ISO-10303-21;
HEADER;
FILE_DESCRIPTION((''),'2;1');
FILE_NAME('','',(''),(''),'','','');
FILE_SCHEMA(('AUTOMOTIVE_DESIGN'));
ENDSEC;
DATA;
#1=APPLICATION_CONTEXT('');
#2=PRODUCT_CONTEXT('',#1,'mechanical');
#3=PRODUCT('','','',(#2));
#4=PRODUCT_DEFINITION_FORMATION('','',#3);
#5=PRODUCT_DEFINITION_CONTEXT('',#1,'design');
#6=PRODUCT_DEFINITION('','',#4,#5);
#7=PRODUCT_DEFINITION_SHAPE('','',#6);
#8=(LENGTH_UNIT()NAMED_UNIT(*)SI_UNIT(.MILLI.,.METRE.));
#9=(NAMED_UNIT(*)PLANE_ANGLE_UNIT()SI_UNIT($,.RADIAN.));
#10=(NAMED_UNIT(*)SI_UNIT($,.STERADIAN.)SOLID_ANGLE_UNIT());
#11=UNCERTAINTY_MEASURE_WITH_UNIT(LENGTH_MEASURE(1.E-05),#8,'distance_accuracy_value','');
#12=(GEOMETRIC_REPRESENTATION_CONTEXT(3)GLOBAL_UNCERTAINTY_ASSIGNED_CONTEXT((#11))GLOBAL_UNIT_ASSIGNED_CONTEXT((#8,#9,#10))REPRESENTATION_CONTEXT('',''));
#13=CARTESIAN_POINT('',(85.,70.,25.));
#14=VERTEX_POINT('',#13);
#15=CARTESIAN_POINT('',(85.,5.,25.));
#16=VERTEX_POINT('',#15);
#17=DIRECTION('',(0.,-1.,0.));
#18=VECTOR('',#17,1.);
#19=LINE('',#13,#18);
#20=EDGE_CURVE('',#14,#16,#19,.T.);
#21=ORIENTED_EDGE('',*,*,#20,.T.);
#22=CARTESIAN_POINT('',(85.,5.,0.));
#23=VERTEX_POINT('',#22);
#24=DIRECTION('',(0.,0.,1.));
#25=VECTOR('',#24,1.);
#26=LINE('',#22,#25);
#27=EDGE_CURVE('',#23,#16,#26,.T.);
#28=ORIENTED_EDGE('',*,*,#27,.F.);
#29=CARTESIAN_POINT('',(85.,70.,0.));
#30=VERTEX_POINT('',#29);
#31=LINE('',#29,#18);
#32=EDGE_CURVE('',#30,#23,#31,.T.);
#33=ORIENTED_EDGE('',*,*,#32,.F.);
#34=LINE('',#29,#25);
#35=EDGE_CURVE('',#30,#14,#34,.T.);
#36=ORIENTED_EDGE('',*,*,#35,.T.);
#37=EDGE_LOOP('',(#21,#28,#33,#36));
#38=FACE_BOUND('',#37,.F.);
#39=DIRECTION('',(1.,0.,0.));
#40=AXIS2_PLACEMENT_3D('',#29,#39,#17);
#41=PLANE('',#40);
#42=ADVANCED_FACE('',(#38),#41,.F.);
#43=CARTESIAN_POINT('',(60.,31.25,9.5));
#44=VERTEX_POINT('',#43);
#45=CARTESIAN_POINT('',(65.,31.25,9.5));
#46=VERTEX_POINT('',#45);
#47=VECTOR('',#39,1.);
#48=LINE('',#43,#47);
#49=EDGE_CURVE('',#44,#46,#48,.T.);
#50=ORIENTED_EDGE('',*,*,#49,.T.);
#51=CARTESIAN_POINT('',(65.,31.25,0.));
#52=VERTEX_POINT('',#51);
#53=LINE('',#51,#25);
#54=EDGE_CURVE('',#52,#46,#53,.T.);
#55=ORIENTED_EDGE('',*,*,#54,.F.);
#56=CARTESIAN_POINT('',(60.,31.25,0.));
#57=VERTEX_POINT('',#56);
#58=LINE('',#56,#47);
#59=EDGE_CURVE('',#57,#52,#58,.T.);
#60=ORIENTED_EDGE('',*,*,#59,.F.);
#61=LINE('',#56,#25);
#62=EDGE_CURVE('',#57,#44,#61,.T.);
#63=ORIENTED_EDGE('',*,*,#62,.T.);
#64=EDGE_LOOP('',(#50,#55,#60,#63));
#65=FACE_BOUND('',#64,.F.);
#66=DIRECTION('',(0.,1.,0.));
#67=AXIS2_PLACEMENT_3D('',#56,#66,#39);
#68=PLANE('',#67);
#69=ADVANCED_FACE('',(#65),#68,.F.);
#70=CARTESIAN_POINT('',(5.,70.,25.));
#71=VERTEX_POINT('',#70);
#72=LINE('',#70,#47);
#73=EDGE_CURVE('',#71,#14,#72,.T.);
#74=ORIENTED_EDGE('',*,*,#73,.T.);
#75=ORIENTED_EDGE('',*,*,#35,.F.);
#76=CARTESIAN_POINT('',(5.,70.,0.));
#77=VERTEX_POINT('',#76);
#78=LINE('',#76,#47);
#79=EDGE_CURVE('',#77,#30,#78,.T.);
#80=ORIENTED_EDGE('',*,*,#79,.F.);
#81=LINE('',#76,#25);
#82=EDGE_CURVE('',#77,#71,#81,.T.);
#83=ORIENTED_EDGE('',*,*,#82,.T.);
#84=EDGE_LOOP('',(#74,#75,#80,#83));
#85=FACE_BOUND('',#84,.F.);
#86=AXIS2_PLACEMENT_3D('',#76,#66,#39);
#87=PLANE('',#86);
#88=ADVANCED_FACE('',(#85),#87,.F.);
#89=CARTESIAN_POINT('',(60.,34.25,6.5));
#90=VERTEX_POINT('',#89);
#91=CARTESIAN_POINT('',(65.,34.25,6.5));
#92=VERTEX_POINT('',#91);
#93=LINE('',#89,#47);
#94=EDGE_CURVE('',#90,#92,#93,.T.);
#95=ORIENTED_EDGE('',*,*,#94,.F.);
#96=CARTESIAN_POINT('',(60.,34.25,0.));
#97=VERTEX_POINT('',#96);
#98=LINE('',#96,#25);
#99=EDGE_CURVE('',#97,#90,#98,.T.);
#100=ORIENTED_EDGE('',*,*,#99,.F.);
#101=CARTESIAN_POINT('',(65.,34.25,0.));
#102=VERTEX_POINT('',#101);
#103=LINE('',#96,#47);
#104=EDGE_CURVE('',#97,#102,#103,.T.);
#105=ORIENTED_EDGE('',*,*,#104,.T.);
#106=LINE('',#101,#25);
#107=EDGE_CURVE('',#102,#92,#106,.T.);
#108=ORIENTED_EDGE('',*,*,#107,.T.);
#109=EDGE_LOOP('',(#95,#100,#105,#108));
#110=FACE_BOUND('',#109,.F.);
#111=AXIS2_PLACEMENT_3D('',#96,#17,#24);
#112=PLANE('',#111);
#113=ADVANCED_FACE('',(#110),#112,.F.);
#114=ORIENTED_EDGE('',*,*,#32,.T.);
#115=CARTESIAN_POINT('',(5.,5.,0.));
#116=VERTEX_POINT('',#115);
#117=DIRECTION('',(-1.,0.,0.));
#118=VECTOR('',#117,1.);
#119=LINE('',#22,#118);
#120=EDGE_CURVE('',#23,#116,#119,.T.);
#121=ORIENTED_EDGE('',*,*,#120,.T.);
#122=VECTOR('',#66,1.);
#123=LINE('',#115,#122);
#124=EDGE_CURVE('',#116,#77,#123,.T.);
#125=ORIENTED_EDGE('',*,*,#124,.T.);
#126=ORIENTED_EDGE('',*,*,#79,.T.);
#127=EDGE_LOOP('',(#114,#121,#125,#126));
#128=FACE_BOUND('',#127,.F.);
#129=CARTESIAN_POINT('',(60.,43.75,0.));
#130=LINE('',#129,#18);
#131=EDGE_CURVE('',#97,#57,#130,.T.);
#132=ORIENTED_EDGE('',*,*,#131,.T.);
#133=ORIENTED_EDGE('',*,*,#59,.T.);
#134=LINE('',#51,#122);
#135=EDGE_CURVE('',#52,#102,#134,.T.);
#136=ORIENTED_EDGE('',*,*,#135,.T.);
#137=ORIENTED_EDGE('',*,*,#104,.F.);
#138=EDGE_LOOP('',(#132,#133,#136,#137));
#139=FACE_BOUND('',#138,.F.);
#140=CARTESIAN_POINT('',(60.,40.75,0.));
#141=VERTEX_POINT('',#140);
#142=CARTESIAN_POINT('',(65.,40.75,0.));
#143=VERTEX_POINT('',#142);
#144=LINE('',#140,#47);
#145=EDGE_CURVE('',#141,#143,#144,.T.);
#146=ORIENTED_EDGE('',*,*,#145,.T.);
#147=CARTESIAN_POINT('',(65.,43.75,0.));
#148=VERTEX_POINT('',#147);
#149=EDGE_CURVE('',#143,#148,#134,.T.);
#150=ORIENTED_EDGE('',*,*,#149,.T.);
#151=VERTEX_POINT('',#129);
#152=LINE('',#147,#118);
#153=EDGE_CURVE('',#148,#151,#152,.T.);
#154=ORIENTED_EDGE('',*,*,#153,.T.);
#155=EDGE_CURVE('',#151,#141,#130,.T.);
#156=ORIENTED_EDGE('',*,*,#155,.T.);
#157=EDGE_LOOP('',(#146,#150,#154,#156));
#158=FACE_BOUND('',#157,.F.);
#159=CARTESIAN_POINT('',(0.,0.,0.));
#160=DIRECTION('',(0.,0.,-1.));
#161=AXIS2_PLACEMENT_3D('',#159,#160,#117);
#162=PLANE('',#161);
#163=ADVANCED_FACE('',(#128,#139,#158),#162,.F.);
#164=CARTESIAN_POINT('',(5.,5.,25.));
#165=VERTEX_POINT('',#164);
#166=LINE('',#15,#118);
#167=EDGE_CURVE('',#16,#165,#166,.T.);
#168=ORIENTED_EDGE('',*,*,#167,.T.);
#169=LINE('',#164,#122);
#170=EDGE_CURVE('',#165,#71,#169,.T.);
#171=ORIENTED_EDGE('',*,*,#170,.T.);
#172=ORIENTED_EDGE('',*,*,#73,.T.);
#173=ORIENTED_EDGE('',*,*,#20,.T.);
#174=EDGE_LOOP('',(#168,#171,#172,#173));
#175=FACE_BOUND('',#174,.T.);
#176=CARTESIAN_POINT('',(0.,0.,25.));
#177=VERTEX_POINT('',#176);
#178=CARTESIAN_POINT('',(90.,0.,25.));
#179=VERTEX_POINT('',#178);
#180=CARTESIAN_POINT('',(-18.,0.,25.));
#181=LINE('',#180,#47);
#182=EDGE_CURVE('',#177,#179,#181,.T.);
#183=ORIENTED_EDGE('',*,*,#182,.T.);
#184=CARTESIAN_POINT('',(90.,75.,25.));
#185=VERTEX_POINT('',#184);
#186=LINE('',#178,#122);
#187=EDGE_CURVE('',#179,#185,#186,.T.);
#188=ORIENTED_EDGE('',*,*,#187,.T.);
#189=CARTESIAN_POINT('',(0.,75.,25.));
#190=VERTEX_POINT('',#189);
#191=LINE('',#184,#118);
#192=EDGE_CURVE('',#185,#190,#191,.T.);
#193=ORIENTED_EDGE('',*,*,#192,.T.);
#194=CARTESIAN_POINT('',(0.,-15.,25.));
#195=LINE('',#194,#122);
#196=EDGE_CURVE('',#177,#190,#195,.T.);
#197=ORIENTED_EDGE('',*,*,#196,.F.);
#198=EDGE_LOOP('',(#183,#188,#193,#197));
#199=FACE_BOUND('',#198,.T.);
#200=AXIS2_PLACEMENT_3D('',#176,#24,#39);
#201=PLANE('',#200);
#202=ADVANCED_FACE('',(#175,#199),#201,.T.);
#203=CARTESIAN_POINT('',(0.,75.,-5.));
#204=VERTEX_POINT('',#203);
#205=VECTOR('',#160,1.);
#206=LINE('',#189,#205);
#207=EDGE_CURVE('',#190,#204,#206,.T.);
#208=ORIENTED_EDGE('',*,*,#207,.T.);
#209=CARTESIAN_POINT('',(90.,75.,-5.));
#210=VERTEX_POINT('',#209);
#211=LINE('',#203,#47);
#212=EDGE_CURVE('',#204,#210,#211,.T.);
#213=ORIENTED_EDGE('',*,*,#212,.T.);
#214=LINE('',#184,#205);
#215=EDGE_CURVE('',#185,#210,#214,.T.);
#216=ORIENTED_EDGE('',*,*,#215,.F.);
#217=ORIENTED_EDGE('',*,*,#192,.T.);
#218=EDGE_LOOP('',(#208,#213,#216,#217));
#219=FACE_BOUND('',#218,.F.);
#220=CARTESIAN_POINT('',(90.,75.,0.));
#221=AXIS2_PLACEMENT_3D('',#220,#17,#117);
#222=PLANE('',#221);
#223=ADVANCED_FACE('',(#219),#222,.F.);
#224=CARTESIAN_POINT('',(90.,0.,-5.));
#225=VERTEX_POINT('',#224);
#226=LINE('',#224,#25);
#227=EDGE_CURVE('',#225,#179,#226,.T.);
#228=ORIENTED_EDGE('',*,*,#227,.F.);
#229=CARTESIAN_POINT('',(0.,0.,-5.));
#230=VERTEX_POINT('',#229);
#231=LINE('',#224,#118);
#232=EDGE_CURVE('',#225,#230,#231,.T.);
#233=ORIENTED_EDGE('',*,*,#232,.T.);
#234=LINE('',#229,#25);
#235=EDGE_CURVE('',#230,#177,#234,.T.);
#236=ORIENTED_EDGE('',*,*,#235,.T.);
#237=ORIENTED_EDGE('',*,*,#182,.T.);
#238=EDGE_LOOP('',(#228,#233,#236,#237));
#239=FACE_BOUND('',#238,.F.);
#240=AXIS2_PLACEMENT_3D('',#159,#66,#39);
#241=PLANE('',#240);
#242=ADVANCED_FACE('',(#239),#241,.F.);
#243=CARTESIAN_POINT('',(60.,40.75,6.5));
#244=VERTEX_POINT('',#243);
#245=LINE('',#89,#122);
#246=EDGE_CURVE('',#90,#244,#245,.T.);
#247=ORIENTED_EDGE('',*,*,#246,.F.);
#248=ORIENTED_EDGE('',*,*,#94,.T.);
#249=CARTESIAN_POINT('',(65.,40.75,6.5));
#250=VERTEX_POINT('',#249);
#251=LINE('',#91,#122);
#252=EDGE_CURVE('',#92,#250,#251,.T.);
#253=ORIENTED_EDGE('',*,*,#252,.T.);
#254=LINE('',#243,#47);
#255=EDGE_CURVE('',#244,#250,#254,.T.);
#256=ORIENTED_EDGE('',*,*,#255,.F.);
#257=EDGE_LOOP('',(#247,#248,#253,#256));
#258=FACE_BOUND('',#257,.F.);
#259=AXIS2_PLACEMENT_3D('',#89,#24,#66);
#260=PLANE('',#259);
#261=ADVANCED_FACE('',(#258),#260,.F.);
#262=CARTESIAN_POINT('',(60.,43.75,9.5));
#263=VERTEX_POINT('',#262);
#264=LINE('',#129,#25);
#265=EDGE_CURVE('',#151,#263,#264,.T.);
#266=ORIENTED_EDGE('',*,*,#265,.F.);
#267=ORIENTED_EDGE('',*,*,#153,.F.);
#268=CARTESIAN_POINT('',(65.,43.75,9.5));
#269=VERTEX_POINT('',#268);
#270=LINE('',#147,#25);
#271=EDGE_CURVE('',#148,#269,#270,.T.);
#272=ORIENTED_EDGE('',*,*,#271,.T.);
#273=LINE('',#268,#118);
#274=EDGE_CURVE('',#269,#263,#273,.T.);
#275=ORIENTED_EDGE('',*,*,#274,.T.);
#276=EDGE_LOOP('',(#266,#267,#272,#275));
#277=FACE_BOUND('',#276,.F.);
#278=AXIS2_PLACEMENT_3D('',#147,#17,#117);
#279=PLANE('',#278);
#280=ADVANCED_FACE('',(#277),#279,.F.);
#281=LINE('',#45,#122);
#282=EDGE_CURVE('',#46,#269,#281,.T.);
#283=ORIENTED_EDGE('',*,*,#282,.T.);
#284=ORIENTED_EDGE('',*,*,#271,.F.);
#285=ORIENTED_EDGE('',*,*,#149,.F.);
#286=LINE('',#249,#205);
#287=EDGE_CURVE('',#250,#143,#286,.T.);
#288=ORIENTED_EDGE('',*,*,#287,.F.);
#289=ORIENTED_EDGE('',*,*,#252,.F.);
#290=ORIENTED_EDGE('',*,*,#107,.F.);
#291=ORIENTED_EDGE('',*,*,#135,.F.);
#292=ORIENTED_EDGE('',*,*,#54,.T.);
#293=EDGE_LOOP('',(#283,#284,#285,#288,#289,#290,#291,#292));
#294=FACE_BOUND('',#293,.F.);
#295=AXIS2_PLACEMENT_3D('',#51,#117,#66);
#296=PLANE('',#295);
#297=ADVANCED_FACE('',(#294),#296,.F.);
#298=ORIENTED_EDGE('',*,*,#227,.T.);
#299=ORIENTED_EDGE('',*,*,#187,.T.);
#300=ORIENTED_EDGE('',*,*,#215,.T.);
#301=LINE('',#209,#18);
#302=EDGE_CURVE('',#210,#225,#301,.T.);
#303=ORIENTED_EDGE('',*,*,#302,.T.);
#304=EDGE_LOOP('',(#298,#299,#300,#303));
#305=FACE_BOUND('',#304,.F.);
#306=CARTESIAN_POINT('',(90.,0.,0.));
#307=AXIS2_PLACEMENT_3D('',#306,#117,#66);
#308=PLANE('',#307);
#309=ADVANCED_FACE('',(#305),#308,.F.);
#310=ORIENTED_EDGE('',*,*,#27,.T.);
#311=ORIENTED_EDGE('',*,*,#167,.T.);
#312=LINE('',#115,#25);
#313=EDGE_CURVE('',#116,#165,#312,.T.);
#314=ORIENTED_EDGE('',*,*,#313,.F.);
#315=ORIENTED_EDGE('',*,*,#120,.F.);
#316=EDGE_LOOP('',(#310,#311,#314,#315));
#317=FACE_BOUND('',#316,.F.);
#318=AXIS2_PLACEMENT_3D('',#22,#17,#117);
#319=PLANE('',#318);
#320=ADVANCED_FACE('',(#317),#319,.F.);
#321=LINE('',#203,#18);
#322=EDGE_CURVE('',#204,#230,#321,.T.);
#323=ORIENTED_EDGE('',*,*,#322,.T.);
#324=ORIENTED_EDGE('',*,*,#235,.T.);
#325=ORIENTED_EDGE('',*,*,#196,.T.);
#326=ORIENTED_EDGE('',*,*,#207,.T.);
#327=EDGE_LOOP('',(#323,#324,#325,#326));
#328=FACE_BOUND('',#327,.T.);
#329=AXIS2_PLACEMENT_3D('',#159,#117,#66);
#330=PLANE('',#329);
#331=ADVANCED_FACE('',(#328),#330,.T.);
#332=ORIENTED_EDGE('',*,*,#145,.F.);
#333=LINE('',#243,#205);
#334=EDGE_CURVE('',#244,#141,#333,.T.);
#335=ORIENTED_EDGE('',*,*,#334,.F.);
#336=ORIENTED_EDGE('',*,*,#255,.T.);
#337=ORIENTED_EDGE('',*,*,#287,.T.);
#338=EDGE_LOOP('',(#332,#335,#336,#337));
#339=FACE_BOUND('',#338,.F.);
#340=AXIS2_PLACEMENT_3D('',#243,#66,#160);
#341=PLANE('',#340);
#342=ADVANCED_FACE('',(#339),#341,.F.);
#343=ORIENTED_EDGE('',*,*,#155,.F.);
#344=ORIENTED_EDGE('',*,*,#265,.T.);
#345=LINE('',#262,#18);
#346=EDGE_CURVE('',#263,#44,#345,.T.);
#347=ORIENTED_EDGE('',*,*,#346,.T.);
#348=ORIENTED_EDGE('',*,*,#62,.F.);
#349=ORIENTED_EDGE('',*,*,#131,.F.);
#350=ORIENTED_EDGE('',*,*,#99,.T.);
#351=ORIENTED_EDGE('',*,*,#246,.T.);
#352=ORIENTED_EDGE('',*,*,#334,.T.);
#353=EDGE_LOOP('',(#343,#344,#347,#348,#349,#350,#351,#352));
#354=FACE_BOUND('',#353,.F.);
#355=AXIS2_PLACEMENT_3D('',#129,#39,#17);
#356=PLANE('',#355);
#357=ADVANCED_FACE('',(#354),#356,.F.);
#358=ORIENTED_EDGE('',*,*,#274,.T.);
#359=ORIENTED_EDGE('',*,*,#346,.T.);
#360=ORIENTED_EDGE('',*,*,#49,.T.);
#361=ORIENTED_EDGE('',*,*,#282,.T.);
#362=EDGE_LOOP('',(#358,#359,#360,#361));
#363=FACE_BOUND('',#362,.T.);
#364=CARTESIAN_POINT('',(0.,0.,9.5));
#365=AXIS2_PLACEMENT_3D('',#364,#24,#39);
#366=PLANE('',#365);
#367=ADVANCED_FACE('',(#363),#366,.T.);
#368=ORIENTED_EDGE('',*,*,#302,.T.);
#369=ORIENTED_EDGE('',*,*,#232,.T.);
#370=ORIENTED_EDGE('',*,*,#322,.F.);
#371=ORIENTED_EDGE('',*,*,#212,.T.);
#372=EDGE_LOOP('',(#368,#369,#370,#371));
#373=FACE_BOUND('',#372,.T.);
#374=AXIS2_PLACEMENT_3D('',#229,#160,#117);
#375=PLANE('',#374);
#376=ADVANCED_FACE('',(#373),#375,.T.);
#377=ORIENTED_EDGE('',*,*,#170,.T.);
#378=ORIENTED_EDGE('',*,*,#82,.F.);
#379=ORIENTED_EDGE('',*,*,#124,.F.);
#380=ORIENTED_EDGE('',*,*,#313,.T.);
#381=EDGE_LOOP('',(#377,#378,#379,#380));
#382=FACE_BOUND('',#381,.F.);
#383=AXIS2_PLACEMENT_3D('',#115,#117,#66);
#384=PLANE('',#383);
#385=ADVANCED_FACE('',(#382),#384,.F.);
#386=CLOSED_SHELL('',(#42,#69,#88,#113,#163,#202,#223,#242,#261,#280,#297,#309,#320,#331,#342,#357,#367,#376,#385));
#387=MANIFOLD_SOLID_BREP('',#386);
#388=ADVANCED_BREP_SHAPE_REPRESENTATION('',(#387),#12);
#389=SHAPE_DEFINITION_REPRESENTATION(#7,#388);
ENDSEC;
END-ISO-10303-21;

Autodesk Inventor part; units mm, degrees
ref_plane "YZ Plane" through (0, 0, 0) normal (1, 0, 0) x (0, 1, 0)
ref_plane "XZ Plane" through (0, 0, 0) normal (0, 1, 0) x (-1, 0, 0)
ref_plane "XY Plane" through (0, 0, 0) normal (0, 0, 1) x (1, 0, 0)
sketch "Skizze1" plane through (0, 0, 0) normal (0, 0, 1) x (1, 0, 0)
  line L0 (-18, 0) -> (108, 0) projected
  line L1 (0, -15) -> (0, 90) projected
  line L2 (0, 0) -> (90, 0)
  line L3 (90, 0) -> (90, 75)
  line L4 (90, 75) -> (0, 75)
  line L5 (0, 75) -> (0, 0)
  line L6 (5, 70) -> (85, 70)
  line L7 (85, 70) -> (85, 5)
  line L8 (85, 5) -> (5, 5)
  line L9 (5, 5) -> (5, 70)
  point P0 (0, 75)
  dimension "d0" = 75
  dimension "d1" = 90
  dimension "d2" = 5
  dimension "d3" = 5
  dimension "d4" = 5
  dimension "d5" = 5
extrude "Extrusion1" add sketch "Skizze1" along normal blind 25
sketch "Skizze2" plane through (0, 0, 0) normal (0, 0, -1) x (-1, 0, 0)
  line L0 (0, 75) -> (0, 0) projected
  line L1 (0, 75) -> (-90, 75)
  line L2 (-90, 75) -> (-90, 0)
  line L3 (-90, 0) -> (0, 0)
  line L4 (0, 0) -> (0, 75)
extrude "Extrusion2" add sketch "Skizze2" along normal blind 5
sketch "Skizze3" plane through (0, 0, 0) normal (0, 0, 1) x (1, 0, 0)
  line L0 (60, 31.25) -> (65, 31.25)
  line L1 (65, 31.25) -> (65, 43.75)
  line L2 (65, 43.75) -> (60, 43.75)
  line L3 (60, 43.75) -> (60, 31.25)
  line L4 (85, 5) -> (5, 5) projected
  line L5 (5, 5) -> (5, 70) projected
  point P0 (0, 0)
  dimension "d10" = 12.5
  dimension "d11" = 5
  dimension "d12" = 26.25
  dimension "d13" = 55
extrude "Extrusion3" add sketch "Skizze3" along normal blind 9.5
sketch "Skizze4" plane through (60, 31.25, 0) normal (-1, 0, 0) x (0, 0, 1)
  line L0 (0, 12.5) -> (0, 0) projected
  line L1 (0, 3) -> (6.5, 3)
  line L2 (6.5, 3) -> (6.5, 9.5)
  line L3 (6.5, 9.5) -> (0, 9.5)
  line L4 (0, 9.5) -> (0, 3)
  line L5 (0, 0) -> (9.5, 0) projected
  point P0 (0, -31.25)
  point P1 (0, 9.5)
  dimension "d16" = 6.5
  dimension "d17" = 6.5
  dimension "d18" = 3
extrude "Extrusion4" cut sketch "Skizze4" against normal blind 5
properties part number "Wasserbecken" material "Acetalharz, Schwarz"
